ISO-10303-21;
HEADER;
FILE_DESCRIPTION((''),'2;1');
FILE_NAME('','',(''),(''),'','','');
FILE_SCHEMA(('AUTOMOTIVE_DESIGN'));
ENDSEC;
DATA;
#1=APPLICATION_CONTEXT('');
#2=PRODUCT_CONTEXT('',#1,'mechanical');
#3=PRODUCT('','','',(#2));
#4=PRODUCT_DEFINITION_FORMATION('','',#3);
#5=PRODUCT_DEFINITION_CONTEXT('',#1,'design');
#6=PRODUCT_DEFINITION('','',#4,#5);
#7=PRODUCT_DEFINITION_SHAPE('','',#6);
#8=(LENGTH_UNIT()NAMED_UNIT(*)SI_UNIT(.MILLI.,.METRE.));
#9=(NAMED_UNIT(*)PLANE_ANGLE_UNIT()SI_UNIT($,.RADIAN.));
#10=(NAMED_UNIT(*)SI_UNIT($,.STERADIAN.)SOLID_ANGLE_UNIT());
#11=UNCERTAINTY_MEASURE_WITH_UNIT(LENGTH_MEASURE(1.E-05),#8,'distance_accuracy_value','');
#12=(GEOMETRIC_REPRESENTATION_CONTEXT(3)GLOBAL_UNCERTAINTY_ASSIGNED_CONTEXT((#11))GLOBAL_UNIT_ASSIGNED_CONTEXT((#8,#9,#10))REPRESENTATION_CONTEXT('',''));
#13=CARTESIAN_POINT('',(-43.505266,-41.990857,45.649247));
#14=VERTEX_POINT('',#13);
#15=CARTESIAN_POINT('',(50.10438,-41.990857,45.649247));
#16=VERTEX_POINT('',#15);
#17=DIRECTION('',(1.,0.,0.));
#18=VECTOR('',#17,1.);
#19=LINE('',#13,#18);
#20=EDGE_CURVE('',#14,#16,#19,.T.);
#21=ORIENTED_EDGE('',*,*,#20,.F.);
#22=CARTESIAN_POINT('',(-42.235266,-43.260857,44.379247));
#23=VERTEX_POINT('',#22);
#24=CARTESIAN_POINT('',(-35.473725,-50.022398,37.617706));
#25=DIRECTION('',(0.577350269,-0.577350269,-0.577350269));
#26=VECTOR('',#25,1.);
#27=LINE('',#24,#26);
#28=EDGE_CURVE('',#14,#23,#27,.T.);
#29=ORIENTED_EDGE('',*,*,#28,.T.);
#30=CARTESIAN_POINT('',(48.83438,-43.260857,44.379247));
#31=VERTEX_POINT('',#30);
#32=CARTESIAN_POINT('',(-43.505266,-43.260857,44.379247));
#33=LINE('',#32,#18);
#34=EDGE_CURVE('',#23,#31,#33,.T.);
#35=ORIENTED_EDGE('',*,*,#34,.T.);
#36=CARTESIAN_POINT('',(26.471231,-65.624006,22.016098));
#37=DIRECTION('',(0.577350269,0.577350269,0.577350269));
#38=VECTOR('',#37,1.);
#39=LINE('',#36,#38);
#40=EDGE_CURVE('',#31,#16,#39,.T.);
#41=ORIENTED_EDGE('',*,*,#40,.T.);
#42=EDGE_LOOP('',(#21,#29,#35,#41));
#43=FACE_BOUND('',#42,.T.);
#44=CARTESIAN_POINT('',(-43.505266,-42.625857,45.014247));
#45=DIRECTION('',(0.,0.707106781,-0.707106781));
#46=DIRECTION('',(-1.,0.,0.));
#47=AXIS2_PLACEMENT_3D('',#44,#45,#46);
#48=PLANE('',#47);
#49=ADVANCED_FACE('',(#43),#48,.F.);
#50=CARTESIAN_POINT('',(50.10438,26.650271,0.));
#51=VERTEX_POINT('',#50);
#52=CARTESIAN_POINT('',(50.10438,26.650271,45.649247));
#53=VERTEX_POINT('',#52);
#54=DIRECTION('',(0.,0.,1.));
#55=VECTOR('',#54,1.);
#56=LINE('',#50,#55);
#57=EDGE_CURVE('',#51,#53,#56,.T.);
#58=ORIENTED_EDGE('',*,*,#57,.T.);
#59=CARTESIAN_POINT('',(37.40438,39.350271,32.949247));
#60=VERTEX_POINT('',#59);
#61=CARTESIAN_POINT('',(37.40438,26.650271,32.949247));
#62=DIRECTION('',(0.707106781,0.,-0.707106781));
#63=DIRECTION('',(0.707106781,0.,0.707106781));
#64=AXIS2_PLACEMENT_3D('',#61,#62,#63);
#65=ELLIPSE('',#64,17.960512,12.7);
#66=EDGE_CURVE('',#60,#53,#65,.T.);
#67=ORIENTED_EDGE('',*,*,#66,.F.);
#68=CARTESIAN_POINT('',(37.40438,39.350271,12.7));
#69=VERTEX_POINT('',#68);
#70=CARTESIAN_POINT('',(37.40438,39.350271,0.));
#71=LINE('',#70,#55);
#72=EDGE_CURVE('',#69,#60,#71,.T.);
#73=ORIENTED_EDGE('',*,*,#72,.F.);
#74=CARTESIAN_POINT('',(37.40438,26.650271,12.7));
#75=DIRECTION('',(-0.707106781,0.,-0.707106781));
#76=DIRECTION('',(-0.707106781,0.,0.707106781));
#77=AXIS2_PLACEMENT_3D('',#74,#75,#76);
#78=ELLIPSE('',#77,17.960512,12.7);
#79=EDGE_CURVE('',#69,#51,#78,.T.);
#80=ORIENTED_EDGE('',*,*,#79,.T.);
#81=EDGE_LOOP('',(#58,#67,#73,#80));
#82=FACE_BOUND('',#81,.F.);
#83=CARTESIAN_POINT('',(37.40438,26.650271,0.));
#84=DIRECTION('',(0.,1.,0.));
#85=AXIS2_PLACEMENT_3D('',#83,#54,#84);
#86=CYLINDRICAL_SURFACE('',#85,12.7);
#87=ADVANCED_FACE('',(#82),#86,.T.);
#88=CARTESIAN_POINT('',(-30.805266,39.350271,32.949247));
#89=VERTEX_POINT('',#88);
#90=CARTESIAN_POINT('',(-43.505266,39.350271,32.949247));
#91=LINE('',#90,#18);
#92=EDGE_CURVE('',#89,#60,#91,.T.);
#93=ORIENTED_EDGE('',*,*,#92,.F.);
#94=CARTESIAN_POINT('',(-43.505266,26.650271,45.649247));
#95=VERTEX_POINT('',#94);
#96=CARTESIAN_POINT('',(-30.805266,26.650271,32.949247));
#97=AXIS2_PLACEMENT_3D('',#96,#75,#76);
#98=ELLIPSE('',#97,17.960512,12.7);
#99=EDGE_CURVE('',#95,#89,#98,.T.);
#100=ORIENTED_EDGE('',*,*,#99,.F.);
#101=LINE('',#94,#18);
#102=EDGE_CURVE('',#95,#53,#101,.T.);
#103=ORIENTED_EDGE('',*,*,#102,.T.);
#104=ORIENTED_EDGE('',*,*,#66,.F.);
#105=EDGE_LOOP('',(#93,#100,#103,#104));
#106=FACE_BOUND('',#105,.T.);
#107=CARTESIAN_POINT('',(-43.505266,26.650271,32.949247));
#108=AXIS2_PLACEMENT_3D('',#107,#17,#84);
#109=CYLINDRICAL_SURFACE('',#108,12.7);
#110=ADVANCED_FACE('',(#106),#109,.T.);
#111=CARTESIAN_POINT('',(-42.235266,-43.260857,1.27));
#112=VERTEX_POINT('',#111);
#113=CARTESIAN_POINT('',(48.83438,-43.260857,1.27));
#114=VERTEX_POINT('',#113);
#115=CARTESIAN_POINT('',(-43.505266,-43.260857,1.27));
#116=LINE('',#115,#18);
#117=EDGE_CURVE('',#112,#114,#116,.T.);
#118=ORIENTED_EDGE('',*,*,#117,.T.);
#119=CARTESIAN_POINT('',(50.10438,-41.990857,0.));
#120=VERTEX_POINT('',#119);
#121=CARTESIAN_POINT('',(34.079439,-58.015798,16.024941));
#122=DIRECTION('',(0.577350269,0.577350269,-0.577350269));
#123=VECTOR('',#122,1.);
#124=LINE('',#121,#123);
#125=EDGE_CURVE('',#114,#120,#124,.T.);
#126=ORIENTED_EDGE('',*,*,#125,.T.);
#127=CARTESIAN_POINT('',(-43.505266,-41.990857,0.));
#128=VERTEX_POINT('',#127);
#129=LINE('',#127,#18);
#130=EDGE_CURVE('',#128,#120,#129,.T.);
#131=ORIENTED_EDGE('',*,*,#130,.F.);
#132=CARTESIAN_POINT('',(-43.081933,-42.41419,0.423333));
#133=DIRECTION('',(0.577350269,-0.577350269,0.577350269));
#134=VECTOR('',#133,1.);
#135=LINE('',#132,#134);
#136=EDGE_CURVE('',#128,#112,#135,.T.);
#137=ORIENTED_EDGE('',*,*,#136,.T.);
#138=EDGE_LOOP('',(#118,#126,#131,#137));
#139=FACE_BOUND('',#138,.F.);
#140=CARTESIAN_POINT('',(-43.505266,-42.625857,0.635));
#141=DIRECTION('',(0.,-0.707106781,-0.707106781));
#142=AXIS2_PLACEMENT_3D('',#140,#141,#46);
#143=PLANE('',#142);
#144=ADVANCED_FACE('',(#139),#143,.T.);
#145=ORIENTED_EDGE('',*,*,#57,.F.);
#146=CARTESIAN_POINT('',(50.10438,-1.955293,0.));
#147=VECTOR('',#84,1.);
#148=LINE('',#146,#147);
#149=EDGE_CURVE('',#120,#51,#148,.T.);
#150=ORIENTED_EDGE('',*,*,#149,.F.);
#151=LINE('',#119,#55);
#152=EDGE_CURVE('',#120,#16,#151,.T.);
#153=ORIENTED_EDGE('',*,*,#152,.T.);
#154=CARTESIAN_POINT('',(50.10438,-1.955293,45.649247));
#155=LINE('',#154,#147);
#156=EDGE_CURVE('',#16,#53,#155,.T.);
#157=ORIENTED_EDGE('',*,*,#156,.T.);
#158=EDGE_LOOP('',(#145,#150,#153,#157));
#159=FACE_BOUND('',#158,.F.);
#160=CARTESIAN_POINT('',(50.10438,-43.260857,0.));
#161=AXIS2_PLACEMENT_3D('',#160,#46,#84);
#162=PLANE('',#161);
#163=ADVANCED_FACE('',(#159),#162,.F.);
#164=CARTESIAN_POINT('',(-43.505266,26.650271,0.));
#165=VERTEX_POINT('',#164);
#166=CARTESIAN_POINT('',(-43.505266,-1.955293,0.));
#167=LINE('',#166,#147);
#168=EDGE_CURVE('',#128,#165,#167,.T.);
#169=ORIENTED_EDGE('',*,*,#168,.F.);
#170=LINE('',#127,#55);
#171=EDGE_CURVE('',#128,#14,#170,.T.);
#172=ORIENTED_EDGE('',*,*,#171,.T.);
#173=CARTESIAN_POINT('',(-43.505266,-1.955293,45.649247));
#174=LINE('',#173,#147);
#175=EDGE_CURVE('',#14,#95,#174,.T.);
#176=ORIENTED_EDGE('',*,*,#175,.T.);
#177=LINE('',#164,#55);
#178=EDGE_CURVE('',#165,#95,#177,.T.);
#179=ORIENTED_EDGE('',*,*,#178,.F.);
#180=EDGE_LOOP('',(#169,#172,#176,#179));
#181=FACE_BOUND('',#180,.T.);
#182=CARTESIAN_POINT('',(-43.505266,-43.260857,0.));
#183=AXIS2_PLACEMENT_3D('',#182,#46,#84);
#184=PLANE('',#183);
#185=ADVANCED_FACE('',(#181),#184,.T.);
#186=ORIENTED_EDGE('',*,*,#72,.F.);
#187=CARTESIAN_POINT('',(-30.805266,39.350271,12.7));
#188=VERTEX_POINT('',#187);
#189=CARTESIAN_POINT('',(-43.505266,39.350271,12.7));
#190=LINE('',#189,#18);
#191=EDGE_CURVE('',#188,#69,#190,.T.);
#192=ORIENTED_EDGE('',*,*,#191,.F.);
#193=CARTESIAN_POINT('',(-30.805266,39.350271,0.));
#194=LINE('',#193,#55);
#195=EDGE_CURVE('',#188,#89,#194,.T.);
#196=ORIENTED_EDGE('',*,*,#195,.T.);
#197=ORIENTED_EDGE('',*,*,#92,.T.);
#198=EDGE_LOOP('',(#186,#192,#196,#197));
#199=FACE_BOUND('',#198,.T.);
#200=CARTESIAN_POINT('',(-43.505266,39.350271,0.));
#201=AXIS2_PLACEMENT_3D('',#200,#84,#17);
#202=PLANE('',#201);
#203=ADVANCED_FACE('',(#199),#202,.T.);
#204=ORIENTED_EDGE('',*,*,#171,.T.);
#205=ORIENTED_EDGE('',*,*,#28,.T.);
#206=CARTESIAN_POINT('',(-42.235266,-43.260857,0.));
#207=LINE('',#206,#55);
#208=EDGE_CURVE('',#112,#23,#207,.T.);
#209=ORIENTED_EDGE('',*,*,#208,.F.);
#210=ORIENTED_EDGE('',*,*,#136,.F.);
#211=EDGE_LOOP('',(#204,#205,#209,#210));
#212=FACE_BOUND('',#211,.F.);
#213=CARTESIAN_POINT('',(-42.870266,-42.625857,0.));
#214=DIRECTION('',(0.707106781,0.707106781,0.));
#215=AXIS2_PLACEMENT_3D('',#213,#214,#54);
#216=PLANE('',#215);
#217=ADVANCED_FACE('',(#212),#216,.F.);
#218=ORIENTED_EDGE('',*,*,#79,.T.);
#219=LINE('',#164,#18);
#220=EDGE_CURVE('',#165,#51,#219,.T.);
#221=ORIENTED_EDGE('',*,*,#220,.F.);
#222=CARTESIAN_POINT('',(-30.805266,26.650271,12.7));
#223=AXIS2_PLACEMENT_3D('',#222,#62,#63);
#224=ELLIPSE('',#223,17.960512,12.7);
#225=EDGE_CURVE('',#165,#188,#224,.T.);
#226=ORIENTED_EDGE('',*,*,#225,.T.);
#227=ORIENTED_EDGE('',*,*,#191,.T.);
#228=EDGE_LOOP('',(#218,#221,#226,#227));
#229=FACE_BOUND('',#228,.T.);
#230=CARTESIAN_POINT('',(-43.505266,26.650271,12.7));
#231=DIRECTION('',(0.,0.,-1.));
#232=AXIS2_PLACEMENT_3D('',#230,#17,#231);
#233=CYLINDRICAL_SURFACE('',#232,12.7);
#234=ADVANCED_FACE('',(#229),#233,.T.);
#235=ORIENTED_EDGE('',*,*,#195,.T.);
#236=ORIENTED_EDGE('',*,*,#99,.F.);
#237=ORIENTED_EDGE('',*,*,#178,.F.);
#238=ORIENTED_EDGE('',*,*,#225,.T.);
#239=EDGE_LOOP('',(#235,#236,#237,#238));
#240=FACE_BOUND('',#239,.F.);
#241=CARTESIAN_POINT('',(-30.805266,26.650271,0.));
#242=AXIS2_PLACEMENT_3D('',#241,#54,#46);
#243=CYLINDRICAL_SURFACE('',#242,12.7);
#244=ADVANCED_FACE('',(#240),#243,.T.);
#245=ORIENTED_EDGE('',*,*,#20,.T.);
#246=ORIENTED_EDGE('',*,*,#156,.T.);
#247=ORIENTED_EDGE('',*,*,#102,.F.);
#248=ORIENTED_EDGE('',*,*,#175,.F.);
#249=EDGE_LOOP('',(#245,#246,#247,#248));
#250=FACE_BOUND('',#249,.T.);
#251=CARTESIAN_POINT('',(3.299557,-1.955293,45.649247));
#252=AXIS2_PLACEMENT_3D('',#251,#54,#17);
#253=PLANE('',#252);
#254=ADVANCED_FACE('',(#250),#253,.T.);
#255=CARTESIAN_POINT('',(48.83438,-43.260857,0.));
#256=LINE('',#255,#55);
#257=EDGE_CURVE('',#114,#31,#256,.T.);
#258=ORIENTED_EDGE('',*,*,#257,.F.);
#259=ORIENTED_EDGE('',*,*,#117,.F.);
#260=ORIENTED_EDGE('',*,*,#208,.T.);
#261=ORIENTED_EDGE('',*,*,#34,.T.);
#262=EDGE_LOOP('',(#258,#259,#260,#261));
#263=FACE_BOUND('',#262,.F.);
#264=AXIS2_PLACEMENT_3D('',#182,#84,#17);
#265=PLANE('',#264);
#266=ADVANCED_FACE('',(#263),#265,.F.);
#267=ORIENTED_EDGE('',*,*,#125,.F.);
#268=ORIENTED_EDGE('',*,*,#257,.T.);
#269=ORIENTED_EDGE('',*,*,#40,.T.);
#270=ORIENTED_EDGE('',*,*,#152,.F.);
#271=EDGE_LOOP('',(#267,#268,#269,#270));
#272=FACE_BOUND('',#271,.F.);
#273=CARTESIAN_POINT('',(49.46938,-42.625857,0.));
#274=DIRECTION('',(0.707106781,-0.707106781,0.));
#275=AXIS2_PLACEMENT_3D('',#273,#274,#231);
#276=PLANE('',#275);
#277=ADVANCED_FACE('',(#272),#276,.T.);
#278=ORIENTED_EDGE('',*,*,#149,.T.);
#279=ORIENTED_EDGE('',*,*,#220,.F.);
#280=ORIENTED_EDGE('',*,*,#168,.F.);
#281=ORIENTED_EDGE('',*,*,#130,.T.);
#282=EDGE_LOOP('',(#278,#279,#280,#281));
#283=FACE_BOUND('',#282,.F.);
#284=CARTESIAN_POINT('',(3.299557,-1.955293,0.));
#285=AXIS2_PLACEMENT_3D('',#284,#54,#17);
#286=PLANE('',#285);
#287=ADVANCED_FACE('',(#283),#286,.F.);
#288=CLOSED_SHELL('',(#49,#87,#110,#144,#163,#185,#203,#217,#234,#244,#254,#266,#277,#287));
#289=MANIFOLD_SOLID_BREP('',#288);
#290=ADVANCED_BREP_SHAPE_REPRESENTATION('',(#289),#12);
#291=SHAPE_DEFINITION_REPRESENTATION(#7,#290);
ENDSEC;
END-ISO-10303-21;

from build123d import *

# Parameters (mm, degrees)
F0_W     = 93.609646
F0_H     = 82.611128
F1_DEPTH = 45.649247
F2_SIZE  = 1.27
F3_R     = 12.7


with BuildPart() as f1:
    # F0 (on Top) → F1 (new body)
    with BuildSketch(Plane.XY):
        with Locations((3.299557, -1.955293)):
            Rectangle(F0_W, F0_H)
    extrude(amount=F1_DEPTH)

    # F2
    f2_edges = [f1.edges().sort_by_distance(p)[0] for p in [
        (-43.505266, -43.260857, 22.824624),
        (50.10438, -43.260857, 22.824624),
        (3.299557, -43.260857, 0),
        (3.299557, -43.260857, 45.649247),
    ]]
    chamfer(f2_edges, length=F2_SIZE)

    # F3
    f3_edges = [f1.edges().sort_by_distance(p)[0] for p in [
        (50.10438, 39.350271, 22.824624),
        (-43.505266, 39.350271, 22.824624),
        (3.299557, 39.350271, 0),
        (3.299557, 39.350271, 45.649247),
    ]]
    fillet(f3_edges, radius=F3_R)


solid = f1.part
